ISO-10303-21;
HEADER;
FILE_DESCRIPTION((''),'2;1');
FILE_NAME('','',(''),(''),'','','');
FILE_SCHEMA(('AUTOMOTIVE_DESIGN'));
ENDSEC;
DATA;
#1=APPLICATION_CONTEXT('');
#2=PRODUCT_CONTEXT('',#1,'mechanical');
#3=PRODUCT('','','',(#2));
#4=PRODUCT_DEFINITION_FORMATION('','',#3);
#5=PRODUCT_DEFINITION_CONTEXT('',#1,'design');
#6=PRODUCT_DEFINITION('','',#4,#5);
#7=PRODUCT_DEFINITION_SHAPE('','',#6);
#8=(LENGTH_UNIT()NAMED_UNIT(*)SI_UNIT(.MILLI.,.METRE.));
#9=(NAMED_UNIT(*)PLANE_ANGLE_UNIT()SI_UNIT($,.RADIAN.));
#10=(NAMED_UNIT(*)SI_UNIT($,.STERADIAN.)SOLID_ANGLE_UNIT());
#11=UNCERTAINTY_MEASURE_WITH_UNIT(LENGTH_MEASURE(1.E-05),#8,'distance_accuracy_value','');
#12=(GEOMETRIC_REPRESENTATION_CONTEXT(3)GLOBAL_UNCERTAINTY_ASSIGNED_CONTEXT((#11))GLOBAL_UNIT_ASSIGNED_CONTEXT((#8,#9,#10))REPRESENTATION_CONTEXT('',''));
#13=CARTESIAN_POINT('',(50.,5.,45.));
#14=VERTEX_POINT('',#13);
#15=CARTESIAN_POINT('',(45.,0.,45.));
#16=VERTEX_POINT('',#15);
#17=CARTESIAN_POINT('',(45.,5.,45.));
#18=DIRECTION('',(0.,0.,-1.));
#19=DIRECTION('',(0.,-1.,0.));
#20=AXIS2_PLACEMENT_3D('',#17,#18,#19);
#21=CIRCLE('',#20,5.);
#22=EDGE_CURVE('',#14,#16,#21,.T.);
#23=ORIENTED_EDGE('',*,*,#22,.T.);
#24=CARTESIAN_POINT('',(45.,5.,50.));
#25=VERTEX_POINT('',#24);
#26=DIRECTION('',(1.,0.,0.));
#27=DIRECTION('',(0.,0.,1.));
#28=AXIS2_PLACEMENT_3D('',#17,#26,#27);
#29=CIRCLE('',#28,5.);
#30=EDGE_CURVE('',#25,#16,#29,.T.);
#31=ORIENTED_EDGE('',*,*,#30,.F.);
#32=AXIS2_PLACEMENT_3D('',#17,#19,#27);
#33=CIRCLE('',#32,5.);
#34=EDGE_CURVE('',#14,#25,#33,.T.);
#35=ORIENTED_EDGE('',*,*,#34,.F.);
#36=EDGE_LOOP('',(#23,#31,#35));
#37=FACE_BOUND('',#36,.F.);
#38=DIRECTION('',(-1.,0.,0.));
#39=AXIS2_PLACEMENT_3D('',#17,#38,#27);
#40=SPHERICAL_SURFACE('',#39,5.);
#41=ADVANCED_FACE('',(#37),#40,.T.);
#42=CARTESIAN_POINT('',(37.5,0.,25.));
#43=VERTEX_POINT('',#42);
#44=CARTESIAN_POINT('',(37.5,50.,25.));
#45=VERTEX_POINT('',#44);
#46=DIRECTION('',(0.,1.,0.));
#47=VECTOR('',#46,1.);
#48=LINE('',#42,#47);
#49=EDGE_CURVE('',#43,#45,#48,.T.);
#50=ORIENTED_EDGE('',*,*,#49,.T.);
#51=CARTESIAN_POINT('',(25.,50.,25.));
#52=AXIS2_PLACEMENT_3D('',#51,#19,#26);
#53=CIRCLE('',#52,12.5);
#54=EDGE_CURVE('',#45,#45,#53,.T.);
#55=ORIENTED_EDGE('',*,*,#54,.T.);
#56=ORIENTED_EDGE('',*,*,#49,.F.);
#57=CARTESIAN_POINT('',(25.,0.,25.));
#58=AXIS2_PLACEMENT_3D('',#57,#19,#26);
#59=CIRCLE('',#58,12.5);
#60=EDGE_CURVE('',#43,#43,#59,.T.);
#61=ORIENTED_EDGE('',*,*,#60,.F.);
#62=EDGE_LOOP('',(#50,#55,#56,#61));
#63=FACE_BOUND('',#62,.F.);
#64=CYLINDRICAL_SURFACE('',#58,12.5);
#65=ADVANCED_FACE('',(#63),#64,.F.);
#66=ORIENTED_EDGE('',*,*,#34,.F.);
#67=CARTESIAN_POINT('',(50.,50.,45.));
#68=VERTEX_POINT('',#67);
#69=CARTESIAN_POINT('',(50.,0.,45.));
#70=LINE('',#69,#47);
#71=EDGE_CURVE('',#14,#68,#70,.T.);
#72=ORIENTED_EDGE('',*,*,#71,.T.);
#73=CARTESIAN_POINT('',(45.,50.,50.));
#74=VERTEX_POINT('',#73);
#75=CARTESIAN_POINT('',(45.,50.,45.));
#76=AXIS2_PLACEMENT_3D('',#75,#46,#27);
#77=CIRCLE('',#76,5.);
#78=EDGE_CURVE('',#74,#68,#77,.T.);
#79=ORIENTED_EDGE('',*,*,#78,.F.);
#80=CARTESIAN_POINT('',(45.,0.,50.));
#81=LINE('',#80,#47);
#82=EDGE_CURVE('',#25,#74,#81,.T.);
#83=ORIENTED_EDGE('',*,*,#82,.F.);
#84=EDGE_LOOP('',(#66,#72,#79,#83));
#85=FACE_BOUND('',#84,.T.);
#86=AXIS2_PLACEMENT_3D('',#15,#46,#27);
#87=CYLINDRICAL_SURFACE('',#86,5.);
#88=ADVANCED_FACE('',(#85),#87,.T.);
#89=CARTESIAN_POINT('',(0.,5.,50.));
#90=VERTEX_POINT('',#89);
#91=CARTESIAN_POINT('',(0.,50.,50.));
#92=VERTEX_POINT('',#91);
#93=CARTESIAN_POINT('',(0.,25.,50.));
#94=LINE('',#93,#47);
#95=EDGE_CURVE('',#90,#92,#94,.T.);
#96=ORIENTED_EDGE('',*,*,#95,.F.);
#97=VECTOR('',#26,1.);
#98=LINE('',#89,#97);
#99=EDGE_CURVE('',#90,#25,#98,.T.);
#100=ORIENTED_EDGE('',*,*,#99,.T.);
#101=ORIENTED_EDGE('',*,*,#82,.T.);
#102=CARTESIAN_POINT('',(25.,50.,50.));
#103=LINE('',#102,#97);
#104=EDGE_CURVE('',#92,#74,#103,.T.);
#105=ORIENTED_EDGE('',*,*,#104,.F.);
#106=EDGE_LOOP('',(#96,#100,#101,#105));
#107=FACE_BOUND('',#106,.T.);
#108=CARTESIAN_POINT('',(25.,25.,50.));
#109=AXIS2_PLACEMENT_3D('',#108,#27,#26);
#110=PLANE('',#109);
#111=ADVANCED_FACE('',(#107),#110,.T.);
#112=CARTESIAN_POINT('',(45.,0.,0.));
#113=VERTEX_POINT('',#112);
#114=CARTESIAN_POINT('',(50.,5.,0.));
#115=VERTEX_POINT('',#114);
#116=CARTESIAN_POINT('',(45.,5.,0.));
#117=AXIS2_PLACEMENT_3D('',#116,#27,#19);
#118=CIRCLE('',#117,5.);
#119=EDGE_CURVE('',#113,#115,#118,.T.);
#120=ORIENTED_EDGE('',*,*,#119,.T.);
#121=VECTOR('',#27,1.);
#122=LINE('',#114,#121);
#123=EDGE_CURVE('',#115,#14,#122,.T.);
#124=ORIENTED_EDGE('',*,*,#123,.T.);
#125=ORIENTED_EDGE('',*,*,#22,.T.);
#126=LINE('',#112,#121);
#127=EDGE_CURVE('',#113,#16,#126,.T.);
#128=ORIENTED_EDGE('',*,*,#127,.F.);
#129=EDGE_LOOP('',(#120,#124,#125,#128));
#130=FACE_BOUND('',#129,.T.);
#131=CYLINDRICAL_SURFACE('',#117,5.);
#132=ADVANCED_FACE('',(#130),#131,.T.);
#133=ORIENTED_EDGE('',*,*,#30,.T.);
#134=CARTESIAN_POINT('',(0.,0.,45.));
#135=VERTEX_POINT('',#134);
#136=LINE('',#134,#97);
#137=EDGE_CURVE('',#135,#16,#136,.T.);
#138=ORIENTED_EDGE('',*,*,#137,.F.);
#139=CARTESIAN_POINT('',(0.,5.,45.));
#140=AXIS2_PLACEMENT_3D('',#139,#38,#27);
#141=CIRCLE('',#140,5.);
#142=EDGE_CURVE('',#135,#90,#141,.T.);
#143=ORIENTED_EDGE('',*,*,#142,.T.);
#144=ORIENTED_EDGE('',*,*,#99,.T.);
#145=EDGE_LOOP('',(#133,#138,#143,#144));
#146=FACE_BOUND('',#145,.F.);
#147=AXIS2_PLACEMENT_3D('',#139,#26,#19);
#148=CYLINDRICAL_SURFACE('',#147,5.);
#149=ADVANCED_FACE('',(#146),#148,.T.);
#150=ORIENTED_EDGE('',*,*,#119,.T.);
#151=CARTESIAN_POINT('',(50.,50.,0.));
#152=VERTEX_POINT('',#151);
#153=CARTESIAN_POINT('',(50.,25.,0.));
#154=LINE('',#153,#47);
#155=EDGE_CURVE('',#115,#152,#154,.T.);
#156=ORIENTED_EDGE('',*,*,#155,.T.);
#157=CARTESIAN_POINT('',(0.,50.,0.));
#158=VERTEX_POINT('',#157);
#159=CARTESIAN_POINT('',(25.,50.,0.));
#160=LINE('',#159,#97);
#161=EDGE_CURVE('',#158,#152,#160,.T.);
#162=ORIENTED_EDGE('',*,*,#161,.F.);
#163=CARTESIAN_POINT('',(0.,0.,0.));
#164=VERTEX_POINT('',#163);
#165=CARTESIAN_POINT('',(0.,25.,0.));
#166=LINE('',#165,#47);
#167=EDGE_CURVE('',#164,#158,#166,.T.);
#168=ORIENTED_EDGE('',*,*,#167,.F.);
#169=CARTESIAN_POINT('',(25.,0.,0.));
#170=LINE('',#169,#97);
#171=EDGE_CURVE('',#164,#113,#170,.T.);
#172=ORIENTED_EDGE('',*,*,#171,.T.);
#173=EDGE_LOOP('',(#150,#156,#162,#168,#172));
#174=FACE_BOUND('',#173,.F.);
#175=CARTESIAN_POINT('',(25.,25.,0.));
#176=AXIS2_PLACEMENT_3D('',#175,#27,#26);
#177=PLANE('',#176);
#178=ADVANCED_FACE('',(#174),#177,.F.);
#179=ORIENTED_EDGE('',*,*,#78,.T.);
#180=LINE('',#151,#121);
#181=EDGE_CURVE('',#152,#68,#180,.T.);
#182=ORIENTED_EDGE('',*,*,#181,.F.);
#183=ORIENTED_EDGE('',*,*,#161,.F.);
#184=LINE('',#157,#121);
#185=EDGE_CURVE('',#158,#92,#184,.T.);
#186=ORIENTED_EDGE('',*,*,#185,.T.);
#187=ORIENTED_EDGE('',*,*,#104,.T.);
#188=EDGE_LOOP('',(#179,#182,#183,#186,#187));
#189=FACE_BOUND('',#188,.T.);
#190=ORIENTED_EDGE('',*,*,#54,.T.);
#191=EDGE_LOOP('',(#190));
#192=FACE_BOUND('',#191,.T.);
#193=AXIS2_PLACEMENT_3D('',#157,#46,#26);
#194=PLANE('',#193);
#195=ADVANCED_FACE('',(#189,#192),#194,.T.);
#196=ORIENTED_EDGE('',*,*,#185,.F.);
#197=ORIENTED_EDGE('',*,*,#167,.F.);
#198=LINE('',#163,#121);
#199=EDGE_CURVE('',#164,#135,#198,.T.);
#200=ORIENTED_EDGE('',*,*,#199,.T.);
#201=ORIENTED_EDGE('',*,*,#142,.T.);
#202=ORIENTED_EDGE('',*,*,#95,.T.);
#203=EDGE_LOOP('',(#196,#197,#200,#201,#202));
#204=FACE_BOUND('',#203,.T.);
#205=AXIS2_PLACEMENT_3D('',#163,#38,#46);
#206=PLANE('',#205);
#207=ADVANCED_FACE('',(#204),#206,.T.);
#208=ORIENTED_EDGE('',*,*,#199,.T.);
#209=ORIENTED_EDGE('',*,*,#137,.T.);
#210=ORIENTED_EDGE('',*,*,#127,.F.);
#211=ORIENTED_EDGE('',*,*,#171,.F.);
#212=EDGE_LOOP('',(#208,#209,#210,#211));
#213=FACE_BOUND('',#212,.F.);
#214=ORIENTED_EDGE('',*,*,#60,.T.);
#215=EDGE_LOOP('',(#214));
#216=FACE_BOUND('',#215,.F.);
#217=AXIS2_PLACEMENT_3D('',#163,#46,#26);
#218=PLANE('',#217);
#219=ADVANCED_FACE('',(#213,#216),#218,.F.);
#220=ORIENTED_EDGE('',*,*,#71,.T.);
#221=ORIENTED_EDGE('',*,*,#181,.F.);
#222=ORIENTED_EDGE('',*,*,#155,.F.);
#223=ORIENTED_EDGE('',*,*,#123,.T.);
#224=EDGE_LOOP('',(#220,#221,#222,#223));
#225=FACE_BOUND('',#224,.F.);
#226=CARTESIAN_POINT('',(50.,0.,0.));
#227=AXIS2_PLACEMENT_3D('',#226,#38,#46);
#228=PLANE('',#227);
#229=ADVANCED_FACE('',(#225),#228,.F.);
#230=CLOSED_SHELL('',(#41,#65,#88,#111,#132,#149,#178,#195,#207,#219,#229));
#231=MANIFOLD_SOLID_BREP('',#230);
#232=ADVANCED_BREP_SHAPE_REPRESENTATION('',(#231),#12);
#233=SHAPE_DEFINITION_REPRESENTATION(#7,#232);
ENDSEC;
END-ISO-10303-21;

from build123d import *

# Parameters (mm, degrees)
F0_W     = 50
F0_H     = 50
F1_DEPTH = 50
F2_R     = 12.5
F3_DEPTH = 50.001
F4_R     = 5


with BuildPart() as f1:
    # F0 (on Top) → F1 (new body)
    with BuildSketch(Plane.XY):
        with Locations((25, 25)):
            Rectangle(F0_W, F0_H)
    extrude(amount=F1_DEPTH)

    # F2 (on face) → F3 (cut, through all)
    with BuildSketch(Plane.XZ):
        with Locations((25, 25)):
            Circle(F2_R)
    extrude(amount=-F3_DEPTH, mode=Mode.SUBTRACT)

    # F4
    f4_edges = [f1.edges().sort_by_distance(p)[0] for p in [
        (25, 0, 50),
        (50, 25, 50),
        (50, 0, 25),
    ]]
    fillet(f4_edges, radius=F4_R)


solid = f1.part
